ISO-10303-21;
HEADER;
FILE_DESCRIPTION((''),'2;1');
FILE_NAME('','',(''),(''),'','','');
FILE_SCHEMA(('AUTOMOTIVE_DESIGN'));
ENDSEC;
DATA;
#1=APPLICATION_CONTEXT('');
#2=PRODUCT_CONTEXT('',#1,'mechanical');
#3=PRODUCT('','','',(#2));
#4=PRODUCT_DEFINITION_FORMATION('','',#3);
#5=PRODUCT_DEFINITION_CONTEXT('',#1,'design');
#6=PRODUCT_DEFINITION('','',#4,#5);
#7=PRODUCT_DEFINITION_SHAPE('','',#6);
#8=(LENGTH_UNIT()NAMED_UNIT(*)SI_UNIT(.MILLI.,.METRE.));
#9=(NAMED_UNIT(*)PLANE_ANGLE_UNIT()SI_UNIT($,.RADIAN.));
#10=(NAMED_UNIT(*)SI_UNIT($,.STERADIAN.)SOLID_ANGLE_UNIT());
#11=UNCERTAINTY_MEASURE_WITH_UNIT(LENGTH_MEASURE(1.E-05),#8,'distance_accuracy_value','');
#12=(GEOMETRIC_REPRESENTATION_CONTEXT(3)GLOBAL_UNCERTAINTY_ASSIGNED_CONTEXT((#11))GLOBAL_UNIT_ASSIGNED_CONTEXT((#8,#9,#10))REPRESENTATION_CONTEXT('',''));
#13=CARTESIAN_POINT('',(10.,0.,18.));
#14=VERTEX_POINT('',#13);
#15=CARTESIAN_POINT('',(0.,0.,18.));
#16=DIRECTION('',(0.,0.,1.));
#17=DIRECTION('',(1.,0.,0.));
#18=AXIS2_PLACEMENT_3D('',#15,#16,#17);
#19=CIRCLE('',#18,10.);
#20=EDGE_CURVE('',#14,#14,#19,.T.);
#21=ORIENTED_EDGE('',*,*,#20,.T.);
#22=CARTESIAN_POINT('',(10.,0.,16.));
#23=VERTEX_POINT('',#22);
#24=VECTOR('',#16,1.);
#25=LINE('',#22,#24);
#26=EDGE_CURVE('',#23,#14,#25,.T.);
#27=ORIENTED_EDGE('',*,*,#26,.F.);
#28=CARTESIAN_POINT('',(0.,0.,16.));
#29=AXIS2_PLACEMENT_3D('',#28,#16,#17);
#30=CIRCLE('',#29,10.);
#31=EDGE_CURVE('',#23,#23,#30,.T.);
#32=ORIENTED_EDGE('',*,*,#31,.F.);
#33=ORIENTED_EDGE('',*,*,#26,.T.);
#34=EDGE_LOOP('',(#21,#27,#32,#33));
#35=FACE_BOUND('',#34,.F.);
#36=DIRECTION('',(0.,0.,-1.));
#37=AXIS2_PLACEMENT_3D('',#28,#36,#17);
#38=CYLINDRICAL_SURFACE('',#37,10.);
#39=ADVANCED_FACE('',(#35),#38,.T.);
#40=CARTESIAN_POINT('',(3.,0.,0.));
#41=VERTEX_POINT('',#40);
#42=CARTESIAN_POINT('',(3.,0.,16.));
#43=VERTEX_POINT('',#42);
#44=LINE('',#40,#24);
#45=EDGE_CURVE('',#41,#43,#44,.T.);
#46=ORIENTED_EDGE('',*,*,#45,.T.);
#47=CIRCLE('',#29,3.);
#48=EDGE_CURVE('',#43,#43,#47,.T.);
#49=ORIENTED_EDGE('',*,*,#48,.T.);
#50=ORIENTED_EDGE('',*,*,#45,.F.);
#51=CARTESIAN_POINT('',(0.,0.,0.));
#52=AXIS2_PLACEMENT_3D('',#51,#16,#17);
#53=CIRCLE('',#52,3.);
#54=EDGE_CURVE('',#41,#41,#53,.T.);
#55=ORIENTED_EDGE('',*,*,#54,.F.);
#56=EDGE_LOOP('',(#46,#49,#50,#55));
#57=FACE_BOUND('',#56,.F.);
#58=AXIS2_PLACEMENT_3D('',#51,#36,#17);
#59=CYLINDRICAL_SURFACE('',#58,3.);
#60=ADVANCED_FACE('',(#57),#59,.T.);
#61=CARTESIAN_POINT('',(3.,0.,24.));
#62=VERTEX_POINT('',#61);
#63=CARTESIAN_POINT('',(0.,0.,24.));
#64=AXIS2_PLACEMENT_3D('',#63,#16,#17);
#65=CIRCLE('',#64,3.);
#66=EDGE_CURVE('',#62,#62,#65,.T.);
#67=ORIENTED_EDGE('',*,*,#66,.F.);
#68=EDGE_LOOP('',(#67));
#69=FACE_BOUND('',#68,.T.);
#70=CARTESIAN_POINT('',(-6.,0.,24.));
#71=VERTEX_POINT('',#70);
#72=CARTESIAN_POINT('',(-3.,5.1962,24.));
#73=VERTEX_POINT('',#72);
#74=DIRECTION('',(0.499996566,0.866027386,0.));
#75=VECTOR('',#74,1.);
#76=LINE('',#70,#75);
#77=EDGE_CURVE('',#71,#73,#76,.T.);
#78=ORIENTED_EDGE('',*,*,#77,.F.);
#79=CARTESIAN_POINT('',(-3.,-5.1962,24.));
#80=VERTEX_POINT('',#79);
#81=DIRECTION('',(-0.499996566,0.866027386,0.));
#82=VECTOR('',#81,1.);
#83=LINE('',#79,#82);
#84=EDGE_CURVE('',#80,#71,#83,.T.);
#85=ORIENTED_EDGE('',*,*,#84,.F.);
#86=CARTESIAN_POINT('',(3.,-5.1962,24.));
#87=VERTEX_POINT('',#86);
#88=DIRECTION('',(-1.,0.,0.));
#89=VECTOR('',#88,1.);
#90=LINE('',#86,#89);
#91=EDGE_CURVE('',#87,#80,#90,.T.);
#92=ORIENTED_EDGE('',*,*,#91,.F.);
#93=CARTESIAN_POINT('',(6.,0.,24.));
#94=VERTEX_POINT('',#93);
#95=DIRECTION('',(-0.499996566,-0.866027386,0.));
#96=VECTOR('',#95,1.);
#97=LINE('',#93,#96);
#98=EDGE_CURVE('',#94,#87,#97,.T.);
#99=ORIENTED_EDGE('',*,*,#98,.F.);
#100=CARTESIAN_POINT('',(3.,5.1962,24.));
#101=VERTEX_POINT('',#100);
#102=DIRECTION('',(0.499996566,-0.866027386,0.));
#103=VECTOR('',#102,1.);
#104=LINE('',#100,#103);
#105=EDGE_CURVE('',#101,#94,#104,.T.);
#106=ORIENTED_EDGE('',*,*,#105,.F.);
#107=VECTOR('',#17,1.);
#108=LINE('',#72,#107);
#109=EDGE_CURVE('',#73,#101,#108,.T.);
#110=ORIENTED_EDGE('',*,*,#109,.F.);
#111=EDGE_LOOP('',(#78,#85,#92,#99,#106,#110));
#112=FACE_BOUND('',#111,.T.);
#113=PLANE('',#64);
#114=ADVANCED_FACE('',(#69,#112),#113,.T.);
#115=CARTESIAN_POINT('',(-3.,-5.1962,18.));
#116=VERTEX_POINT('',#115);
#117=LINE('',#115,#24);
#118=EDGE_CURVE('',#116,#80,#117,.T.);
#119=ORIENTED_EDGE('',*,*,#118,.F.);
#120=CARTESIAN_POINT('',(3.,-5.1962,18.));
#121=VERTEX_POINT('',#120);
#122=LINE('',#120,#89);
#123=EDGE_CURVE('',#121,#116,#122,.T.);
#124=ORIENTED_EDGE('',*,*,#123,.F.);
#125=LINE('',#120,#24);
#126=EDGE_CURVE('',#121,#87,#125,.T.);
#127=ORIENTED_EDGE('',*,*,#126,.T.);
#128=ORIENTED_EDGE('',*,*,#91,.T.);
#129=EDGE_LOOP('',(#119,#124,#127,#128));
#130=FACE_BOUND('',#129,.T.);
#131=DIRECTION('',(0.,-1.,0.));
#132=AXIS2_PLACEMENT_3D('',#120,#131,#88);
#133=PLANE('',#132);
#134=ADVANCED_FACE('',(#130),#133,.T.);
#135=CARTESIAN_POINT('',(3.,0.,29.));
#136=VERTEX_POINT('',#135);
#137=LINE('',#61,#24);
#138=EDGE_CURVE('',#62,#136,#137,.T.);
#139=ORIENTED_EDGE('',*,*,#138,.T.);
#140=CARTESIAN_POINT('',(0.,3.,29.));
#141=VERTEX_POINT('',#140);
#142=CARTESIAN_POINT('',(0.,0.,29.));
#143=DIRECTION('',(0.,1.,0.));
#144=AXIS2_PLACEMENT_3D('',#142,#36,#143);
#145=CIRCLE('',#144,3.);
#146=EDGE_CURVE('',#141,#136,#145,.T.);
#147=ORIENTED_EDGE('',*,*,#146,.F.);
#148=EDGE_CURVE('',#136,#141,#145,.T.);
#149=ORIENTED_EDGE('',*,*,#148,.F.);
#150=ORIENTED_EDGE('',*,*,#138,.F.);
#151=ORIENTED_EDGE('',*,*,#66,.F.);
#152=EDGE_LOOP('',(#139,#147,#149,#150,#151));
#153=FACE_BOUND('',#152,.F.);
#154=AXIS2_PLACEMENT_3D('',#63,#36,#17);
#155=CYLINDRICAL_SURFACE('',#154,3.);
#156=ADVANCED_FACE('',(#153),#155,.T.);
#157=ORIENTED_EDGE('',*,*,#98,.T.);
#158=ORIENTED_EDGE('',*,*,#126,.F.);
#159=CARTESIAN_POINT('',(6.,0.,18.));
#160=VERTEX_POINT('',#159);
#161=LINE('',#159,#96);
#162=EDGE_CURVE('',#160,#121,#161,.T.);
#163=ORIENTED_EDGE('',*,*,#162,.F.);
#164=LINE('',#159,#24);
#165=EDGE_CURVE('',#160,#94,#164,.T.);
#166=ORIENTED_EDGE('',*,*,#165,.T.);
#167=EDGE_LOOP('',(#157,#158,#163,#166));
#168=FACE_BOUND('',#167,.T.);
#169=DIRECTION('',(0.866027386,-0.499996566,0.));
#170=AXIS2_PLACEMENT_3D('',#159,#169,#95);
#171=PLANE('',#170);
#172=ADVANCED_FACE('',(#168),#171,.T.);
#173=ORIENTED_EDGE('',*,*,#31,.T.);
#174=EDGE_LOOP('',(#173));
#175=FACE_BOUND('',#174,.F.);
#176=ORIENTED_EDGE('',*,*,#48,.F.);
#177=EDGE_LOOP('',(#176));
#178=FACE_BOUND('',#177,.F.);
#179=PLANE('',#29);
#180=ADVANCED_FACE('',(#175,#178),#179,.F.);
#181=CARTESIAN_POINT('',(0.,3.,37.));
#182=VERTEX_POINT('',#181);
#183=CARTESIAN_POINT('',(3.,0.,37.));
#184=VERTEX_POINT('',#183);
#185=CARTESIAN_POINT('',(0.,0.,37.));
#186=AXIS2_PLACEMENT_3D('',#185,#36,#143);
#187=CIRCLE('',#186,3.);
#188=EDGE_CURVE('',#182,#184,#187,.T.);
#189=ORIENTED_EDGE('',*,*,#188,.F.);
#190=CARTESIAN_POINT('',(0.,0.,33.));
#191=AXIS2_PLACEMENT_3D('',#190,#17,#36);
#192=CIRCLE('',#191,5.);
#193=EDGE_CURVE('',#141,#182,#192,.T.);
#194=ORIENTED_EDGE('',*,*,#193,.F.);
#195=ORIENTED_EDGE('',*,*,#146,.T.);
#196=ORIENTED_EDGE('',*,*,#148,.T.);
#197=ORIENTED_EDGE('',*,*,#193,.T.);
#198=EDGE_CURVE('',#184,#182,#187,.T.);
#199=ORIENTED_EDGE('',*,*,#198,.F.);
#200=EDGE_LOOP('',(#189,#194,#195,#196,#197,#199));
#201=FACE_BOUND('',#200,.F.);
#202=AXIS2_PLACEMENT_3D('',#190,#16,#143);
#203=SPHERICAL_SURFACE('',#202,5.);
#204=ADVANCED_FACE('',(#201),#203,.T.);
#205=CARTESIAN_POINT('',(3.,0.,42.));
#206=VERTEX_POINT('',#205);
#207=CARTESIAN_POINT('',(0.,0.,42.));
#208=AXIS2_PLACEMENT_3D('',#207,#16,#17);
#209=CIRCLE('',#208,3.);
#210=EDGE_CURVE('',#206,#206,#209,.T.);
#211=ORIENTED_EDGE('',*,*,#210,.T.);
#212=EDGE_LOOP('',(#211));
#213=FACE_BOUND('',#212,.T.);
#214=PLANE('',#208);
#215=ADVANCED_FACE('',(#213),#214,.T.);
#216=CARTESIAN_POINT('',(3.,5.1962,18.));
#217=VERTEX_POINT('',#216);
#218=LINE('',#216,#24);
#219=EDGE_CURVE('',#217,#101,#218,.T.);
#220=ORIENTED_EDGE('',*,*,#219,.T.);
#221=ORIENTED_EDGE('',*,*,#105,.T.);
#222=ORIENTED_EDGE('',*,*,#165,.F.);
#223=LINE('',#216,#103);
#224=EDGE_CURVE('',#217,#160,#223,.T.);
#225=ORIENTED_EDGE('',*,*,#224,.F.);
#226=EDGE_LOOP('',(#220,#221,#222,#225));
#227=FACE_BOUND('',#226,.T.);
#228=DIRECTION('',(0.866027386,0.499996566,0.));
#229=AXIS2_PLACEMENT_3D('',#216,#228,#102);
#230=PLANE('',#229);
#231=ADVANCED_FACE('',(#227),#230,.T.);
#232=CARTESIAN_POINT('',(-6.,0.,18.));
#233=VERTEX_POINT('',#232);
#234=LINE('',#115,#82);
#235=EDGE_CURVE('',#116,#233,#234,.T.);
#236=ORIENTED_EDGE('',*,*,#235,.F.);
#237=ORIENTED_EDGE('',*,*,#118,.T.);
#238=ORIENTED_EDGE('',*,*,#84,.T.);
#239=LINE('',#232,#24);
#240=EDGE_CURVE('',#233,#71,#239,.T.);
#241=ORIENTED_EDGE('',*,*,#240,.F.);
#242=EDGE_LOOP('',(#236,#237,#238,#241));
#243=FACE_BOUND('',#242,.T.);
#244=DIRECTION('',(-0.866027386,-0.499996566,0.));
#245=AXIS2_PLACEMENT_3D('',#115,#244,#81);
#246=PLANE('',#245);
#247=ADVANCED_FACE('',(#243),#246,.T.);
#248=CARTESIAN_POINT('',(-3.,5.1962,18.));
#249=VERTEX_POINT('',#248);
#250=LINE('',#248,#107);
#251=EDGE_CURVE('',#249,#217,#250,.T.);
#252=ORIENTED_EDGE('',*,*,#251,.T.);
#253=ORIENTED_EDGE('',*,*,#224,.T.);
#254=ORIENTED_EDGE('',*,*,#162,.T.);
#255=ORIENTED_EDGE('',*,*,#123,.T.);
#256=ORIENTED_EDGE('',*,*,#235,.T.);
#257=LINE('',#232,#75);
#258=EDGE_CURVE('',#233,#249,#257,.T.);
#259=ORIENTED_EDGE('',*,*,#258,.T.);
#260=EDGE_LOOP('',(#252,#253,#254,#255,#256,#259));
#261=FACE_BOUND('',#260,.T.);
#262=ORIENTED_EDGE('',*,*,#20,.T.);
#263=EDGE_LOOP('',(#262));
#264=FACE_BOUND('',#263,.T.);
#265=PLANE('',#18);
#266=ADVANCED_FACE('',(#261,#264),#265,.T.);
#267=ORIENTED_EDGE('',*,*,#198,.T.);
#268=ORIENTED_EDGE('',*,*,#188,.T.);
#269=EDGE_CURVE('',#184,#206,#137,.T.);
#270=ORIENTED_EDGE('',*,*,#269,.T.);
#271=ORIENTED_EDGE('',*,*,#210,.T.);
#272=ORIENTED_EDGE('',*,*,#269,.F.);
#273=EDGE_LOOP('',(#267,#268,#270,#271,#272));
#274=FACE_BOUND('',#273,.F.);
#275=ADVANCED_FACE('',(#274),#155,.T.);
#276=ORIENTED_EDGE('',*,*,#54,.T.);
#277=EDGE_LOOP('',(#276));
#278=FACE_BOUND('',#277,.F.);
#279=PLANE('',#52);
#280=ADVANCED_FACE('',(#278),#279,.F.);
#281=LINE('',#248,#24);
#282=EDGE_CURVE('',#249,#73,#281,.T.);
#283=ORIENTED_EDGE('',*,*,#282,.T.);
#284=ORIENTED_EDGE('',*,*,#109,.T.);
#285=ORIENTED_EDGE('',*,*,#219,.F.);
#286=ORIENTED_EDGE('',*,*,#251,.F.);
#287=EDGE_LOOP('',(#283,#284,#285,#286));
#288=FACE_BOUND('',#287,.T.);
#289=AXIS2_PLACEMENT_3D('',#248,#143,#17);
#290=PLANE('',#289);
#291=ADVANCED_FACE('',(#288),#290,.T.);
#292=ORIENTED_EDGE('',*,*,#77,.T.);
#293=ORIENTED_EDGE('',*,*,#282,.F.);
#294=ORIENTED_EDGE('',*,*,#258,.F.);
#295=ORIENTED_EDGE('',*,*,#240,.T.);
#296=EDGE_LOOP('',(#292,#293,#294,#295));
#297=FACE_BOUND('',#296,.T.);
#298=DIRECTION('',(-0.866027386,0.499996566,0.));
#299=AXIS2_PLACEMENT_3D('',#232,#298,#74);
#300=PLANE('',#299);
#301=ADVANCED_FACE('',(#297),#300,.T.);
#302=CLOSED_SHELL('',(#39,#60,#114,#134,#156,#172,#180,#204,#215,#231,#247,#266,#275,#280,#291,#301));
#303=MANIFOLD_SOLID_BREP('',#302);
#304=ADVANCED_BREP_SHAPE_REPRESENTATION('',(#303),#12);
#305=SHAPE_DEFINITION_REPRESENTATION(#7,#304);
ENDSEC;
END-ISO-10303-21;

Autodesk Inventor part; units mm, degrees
ref_plane "YZ Plane" through (0, 0, 0) normal (1, 0, 0) x (0, 1, 0)
ref_plane "XZ Plane" through (0, 0, 0) normal (0, 1, 0) x (-1, 0, 0)
ref_plane "XY Plane" through (0, 0, 0) normal (0, 0, 1) x (1, 0, 0)
sketch "Boceto1" plane through (0, 0, 0) normal (0, 0, 1) x (1, 0, 0)
  circle A0 centre (0, 0) radius 3
  dimension "d0" = 6
extrude "Extrusión1" add sketch "Boceto1" along normal blind 16
sketch "Boceto2" plane through (0, 0, 16) normal (0, 0, 1) x (1, 0, 0)
  circle A0 centre (0, 0) radius 10
  dimension "d3" = 20
extrude "Extrusión2" add sketch "Boceto2" along normal blind 2
sketch "Boceto3" plane through (0, 0, 18) normal (0, 0, 1) x (1, 0, 0)
  circle A0 centre (0, 0) radius 3 projected
  line L0 (6, 0) -> (3, -5.1962)
  line L1 (3, -5.1962) -> (-3, -5.1962)
  line L2 (-3, -5.1962) -> (-6, 0)
  line L3 (-6, 0) -> (-3, 5.1962)
  line L4 (-3, 5.1962) -> (3, 5.1962)
  line L5 (3, 5.1962) -> (6, 0)
  dimension "d6" = 6
extrude "Extrusión3" add sketch "Boceto3" along normal blind 6 contours A0 | L0 L1 L2 L3 L4 L5
sketch "Boceto4" plane through (0, 0, 24) normal (0, 0, 1) x (1, 0, 0)
  circle A0 centre (0, 0) radius 3
  dimension "d9" = 6
extrude "Extrusión4" add sketch "Boceto4" along normal blind 18
sketch "Boceto5" plane through (0, 0, 0) normal (1, 0, 0) x (0, 1, 0)
  line L0 (3, 42) -> (-3, 42) projected
  line L1 (-3, 24) -> (3, 24) projected
  arc A0 (0, 28) -> (0, 38) centre (0, 33) ccw
  line L2 (3, 24) -> (3, 42) projected
  line L3 (-3, 24) -> (-3, 42) projected
  line L4 (0, 43.0217) -> (0, 25.7964)
  point P0 (0, 0)
  point P1 (3, 33)
  point P2 (0, 24)
  dimension "d12" = 10
revolve "Revolución1" add sketch "Boceto5" angle 360 about axis through (0, 0, 43.0217) along (0, 0, -1) contours L2 A0 L4 | A0 L2
properties part number "front_plate_screw"
